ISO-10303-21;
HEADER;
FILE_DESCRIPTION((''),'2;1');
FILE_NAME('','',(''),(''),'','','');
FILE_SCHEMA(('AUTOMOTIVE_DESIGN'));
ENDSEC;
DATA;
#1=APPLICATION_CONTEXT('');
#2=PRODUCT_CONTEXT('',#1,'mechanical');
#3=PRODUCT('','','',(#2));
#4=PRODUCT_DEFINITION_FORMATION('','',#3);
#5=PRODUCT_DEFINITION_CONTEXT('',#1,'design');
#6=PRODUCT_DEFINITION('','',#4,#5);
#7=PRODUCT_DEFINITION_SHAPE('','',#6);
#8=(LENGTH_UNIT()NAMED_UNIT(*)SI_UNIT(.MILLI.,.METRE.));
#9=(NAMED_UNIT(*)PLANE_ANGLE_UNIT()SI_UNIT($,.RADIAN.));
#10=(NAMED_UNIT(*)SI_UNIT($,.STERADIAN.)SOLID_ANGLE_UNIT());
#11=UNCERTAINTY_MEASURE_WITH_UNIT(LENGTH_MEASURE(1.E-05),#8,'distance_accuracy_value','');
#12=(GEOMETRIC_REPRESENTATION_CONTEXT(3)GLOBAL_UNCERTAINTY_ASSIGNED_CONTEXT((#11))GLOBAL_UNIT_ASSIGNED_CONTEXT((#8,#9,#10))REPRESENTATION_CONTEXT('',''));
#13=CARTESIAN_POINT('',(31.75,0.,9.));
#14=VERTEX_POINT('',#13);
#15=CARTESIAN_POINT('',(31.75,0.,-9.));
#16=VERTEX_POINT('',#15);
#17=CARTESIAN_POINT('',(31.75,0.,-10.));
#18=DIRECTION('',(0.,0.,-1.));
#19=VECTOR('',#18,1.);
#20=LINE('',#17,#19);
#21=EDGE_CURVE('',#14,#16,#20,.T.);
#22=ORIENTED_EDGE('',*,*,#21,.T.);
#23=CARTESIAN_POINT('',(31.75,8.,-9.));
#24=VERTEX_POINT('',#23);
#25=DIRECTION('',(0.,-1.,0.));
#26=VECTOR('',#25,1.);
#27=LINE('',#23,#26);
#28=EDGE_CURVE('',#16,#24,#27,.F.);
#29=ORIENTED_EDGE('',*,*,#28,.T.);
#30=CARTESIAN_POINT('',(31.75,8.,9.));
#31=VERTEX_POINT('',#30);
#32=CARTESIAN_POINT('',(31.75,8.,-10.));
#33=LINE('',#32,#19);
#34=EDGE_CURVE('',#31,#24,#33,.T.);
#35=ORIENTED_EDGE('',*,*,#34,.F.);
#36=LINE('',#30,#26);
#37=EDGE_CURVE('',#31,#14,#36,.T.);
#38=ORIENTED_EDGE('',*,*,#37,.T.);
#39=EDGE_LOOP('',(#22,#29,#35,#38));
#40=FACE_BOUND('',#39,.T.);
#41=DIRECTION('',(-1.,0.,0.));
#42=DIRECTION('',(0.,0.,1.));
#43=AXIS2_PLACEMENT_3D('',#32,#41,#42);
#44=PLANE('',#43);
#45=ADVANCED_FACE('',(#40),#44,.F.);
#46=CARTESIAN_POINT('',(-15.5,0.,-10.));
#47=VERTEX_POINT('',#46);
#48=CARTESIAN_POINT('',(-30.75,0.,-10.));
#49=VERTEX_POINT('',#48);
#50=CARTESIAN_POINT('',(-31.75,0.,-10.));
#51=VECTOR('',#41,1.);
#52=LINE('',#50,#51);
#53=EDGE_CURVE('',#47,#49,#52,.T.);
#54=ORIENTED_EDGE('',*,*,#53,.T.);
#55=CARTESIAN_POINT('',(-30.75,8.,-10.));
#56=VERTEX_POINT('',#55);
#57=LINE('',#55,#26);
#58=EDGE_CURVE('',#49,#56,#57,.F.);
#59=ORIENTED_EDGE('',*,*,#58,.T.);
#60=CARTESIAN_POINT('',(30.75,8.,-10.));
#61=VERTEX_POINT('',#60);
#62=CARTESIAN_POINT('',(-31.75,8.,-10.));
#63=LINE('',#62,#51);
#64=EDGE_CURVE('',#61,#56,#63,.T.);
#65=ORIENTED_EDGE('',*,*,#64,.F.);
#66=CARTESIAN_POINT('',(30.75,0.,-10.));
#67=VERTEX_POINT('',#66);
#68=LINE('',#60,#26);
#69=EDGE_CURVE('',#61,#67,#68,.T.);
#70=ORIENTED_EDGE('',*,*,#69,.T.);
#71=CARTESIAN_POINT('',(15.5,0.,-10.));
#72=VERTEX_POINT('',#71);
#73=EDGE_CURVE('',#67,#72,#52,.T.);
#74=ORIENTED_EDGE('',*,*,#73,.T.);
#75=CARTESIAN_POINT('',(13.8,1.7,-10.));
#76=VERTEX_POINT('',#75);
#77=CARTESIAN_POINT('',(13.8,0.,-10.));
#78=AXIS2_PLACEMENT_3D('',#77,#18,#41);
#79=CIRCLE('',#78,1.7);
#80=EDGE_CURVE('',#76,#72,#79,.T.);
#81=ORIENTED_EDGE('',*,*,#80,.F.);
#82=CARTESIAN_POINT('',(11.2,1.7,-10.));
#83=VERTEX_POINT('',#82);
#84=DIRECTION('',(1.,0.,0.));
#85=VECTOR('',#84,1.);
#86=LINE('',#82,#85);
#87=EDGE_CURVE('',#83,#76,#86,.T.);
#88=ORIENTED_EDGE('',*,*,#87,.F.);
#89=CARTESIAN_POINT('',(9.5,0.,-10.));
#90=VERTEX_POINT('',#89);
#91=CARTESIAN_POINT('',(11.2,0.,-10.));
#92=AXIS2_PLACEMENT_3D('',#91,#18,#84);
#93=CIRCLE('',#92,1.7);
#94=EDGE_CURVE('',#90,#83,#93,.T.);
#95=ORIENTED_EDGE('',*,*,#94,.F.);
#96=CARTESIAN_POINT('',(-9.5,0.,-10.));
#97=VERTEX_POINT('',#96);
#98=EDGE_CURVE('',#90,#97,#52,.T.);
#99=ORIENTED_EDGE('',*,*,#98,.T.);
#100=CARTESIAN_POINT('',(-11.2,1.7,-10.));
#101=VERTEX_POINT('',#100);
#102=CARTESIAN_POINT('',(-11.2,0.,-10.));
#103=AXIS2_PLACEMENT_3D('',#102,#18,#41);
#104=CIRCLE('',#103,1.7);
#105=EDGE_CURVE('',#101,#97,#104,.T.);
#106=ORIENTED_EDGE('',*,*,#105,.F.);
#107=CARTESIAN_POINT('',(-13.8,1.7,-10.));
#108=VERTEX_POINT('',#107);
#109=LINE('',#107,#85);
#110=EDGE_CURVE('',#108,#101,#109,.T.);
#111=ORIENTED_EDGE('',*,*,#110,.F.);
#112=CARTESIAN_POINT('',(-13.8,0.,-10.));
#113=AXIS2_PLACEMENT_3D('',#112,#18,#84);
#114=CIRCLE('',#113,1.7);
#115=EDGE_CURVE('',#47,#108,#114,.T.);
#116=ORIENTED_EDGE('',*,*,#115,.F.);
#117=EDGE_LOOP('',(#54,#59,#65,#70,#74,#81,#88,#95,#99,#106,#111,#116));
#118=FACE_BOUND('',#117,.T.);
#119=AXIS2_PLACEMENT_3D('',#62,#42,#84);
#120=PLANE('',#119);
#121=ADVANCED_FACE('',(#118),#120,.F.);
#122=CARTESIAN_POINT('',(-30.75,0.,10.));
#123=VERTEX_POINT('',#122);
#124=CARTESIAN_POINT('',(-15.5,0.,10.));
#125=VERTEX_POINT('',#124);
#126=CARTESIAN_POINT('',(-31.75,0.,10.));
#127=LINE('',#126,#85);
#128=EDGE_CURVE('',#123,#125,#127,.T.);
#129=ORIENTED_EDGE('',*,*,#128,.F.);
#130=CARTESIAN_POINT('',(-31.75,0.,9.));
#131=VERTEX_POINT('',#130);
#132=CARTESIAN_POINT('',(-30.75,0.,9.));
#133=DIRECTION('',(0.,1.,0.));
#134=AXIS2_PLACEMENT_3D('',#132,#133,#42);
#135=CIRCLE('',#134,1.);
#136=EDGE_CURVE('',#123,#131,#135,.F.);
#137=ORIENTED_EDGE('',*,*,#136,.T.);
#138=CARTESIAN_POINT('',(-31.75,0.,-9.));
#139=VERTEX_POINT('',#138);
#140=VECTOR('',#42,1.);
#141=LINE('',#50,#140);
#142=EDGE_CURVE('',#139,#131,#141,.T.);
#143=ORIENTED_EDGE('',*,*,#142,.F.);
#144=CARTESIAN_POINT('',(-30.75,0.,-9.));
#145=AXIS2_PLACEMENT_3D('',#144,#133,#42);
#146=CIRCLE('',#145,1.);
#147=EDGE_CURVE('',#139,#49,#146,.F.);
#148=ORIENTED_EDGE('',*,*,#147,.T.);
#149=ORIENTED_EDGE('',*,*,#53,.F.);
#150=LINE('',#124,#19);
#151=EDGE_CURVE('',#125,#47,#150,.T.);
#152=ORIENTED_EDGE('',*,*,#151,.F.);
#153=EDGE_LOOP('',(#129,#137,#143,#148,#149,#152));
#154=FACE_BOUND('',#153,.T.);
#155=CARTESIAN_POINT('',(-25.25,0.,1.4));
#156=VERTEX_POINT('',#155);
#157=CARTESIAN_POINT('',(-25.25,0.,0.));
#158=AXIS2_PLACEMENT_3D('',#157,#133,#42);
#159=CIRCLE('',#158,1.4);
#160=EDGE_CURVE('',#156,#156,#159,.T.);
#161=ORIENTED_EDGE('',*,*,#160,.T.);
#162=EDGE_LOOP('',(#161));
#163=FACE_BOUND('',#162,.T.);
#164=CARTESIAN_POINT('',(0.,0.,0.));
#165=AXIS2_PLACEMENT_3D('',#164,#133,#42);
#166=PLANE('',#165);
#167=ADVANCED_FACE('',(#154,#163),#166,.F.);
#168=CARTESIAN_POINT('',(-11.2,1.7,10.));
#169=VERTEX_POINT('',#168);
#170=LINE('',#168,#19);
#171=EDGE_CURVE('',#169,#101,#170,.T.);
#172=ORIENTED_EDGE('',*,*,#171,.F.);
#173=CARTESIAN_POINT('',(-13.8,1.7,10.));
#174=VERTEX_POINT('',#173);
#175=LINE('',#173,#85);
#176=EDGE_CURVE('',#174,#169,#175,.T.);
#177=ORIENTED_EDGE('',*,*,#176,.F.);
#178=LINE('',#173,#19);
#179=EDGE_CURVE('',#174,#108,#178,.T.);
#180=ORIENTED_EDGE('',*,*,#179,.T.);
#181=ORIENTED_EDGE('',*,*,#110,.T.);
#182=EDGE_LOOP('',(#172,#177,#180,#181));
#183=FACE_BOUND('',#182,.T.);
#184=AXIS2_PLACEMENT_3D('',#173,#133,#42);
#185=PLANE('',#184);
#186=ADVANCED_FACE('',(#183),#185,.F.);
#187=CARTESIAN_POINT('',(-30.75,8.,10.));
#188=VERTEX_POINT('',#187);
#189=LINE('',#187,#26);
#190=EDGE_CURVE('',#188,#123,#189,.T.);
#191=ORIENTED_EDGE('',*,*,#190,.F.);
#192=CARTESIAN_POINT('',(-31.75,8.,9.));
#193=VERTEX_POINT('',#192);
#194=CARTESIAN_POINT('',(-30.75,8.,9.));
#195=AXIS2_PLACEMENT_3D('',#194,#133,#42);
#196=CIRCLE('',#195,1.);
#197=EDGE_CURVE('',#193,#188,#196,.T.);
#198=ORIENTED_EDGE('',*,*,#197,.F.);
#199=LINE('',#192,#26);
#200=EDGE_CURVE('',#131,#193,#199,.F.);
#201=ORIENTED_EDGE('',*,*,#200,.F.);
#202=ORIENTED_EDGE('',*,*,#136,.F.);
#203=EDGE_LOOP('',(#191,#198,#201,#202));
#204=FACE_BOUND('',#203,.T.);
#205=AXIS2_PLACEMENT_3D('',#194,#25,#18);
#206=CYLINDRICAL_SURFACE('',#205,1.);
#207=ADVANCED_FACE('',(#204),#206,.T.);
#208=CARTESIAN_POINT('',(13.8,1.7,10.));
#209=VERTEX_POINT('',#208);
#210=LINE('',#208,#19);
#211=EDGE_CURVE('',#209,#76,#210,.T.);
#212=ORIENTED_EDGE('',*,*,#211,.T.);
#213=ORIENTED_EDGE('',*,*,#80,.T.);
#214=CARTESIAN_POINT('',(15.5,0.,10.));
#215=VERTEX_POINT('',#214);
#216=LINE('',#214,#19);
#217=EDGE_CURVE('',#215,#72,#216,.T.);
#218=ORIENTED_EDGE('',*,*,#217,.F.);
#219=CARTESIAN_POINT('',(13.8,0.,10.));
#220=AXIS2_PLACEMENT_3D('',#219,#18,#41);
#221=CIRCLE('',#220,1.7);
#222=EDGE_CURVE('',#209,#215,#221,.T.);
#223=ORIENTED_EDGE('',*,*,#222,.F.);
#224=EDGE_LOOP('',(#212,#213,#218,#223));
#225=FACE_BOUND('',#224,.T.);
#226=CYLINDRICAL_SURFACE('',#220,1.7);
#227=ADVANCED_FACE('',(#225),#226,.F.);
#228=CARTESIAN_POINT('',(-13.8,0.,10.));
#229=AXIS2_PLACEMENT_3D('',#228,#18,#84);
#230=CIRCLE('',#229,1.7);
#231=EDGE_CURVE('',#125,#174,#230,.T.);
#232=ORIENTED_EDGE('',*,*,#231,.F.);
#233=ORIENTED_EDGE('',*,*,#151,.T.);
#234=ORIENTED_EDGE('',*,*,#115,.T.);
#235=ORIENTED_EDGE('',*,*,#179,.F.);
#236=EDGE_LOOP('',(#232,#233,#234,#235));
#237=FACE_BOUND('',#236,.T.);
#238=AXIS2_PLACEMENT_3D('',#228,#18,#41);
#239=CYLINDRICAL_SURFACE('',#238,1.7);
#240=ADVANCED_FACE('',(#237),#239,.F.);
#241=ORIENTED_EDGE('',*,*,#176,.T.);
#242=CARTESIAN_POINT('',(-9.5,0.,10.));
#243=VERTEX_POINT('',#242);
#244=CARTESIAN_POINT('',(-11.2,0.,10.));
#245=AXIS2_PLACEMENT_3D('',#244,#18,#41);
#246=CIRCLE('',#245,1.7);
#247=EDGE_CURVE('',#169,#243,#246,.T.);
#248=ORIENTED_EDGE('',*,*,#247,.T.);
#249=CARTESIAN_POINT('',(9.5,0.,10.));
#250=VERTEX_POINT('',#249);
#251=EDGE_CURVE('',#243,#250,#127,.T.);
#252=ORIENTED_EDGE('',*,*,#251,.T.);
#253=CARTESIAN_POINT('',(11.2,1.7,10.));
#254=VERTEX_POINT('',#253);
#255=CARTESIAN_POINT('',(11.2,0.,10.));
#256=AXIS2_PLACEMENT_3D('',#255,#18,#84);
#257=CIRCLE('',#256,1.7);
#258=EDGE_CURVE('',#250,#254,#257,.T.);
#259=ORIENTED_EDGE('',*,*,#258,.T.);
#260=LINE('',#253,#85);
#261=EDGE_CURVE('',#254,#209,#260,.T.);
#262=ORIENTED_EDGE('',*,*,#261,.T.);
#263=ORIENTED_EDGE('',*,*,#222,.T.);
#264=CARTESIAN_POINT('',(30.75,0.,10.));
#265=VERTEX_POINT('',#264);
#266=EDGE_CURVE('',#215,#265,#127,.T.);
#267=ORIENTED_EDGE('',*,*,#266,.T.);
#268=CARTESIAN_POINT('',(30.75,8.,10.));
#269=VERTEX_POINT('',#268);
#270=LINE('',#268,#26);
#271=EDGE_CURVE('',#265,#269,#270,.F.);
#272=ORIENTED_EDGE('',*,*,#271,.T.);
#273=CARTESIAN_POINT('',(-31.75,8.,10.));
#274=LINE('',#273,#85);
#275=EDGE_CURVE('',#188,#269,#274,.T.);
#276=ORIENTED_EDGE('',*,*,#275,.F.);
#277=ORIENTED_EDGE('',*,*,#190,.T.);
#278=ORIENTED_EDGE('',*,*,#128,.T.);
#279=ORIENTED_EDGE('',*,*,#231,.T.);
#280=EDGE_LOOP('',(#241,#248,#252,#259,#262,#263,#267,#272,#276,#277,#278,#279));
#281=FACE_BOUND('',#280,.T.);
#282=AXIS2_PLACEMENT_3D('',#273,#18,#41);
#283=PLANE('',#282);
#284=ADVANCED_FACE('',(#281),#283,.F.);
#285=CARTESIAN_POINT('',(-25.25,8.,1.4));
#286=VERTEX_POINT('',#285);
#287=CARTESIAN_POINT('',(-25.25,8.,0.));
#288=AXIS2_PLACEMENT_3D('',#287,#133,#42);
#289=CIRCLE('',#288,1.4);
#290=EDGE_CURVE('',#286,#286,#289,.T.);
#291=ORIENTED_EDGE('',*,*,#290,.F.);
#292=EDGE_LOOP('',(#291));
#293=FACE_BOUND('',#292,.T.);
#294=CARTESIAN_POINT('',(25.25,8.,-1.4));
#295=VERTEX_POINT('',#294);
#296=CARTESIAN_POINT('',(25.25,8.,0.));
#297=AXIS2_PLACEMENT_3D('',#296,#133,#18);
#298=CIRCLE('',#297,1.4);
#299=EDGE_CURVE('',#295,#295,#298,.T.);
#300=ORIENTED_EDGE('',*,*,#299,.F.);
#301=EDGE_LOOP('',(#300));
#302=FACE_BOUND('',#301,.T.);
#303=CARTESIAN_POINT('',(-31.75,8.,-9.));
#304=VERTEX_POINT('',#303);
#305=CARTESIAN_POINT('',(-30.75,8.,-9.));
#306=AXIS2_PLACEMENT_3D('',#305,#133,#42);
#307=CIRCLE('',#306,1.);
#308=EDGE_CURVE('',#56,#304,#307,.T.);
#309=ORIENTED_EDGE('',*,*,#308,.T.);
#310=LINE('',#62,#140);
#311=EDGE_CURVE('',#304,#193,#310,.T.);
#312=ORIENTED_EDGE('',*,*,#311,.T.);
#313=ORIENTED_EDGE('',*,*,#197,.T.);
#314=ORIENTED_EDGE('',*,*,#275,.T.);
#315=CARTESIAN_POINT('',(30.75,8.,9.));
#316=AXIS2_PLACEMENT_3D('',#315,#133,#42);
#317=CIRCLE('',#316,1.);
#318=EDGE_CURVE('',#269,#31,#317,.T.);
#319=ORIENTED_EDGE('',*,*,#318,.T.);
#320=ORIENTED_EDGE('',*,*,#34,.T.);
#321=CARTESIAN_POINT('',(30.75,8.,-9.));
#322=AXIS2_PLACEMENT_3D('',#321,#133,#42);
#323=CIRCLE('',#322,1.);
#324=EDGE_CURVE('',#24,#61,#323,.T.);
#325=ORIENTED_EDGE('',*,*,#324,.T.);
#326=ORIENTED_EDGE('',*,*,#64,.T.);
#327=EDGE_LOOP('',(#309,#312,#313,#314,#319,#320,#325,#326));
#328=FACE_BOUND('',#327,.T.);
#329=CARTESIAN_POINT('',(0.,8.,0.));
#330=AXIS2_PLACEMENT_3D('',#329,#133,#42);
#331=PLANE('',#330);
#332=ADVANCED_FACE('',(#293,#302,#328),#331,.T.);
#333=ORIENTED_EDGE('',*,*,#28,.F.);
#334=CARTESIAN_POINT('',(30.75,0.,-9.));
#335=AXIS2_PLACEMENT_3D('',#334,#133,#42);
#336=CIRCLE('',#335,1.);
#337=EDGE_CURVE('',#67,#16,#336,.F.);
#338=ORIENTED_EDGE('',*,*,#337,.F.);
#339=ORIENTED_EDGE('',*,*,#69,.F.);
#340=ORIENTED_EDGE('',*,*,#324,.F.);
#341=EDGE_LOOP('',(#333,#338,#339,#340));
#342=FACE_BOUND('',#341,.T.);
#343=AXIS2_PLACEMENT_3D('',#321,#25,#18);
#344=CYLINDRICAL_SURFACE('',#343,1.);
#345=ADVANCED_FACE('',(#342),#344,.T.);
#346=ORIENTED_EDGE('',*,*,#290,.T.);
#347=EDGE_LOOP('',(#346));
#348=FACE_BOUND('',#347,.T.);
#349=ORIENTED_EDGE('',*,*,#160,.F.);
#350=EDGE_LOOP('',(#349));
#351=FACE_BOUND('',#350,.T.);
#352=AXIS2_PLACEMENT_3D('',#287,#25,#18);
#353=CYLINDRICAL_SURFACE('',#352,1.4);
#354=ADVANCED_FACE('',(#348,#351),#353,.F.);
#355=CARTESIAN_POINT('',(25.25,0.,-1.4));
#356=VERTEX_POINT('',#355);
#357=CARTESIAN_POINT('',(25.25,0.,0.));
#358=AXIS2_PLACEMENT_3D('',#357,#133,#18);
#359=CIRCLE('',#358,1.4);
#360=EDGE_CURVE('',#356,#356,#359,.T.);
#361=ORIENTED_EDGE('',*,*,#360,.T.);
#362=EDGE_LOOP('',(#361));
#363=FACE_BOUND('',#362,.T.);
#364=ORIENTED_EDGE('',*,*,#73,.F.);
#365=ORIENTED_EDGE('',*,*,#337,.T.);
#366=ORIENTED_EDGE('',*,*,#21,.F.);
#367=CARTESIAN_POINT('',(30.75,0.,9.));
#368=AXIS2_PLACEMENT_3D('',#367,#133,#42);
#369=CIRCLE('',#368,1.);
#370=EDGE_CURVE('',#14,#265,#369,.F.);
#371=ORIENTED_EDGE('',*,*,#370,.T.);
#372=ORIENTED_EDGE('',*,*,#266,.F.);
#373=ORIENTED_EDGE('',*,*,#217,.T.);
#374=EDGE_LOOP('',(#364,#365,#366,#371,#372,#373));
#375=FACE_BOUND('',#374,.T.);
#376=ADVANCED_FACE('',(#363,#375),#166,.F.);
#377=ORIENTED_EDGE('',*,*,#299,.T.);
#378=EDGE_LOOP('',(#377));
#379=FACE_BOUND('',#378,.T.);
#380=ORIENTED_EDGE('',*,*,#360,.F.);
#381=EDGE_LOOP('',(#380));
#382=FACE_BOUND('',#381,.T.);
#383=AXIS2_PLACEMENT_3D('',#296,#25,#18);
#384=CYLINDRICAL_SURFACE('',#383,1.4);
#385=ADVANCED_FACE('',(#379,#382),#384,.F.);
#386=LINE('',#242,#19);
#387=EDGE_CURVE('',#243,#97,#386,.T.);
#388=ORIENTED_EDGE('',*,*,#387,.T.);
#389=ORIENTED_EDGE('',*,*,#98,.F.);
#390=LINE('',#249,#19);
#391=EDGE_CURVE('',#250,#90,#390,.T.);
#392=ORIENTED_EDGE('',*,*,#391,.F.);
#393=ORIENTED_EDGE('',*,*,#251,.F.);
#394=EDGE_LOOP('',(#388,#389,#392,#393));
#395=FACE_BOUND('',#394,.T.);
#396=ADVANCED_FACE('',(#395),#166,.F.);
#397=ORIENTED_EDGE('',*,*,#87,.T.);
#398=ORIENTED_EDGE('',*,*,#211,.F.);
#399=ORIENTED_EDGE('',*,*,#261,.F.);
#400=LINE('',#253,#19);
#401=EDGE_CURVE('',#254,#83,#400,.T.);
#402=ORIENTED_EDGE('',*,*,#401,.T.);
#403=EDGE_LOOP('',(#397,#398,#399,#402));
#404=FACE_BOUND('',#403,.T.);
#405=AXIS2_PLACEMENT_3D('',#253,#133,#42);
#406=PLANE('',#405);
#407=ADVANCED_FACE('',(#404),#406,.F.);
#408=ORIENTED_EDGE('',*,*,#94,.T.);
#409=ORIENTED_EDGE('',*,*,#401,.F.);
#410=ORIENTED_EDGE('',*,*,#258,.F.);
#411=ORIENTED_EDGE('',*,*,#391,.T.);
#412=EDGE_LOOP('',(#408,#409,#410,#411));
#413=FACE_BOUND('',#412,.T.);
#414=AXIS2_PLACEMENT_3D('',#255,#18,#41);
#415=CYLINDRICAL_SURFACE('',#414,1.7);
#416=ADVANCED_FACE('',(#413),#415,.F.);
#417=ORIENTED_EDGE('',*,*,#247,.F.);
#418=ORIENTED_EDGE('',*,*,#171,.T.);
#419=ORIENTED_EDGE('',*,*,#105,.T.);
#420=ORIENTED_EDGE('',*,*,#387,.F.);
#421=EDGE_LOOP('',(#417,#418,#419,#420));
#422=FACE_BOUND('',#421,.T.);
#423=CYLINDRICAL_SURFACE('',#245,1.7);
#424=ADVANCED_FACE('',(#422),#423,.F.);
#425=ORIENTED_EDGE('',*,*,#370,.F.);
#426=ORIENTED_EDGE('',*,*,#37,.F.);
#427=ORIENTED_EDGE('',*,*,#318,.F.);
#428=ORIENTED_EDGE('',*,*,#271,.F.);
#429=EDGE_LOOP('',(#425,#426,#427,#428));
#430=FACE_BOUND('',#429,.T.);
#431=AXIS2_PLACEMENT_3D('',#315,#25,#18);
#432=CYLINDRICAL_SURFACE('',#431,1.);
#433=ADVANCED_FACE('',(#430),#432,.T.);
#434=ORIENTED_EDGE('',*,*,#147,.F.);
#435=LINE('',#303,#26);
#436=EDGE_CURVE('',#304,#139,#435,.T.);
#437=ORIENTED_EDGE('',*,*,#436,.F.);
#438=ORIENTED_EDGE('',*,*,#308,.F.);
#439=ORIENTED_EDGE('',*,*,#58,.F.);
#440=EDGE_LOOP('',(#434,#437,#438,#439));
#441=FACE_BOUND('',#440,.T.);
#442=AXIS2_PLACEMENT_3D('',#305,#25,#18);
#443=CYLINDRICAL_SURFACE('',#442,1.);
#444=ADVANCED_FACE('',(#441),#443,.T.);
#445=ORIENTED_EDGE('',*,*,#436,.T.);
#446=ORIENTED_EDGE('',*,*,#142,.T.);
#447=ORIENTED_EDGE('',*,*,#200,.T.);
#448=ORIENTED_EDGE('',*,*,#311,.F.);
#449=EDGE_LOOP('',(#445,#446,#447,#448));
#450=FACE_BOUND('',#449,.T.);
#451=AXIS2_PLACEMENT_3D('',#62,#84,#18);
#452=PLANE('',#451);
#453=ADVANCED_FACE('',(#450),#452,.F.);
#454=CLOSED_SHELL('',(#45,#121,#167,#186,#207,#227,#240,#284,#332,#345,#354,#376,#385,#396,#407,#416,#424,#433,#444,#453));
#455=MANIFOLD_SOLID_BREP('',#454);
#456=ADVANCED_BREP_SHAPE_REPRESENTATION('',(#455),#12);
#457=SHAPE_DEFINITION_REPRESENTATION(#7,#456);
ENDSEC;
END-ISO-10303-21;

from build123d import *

# Parameters (mm, degrees)
SKETCH1_W            = 63.5
SKETCH1_H            = 20
SKETCH1_R            = 1.4
BASE_DEPTH           = 8
WIRE_GROOVES_DEPTH   = 39.833780398
F_1MM_EDGE_FILLETS_R = 1


with BuildPart() as part:
    # Sketch1 → Base (new body)
    with BuildSketch(Plane(origin=(0, 0, 0), x_dir=(1, 0, 0), z_dir=(0, 1, 0))):
        Rectangle(SKETCH1_W, SKETCH1_H)
        with Locations((-25.25, 0)):
            Circle(SKETCH1_R, mode=Mode.SUBTRACT)
        with Locations((25.25, 0)):
            Circle(SKETCH1_R, mode=Mode.SUBTRACT)
    extrude(amount=BASE_DEPTH)

    # Sketch2 → Wire Grooves (cut, through all)
    with BuildSketch(Plane(origin=(0, 10, -10), x_dir=(1, 0, 0), z_dir=(0, 0, -1))):
        with BuildLine():
            Line((-15.5, 10), (-9.5, 10))
            ThreePointArc((-9.5, 10), (-9.997918472, 8.797918472), (-11.2, 8.3))
            Line((-11.2, 8.3), (-13.8, 8.3))
            ThreePointArc((-13.8, 8.3), (-15.002081528, 8.797918472), (-15.5, 10))
        make_face()
        with BuildLine():
            Line((9.5, 10), (15.5, 10))
            ThreePointArc((15.5, 10), (15.002081528, 8.797918472), (13.8, 8.3))
            Line((13.8, 8.3), (11.2, 8.3))
            ThreePointArc((11.2, 8.3), (9.997918472, 8.797918472), (9.5, 10))
        make_face()
    extrude(amount=-WIRE_GROOVES_DEPTH, mode=Mode.SUBTRACT)

    # 1mm Edge Fillets
    f_1mm_edge_fillets_edges = [part.edges().sort_by_distance(p)[0] for p in [
        (-31.75, 4, -10),
        (31.75, 4, -10),
        (31.75, 4, 10),
        (-31.75, 4, 10),
    ]]
    fillet(f_1mm_edge_fillets_edges, radius=F_1MM_EDGE_FILLETS_R)


solid = part.part
